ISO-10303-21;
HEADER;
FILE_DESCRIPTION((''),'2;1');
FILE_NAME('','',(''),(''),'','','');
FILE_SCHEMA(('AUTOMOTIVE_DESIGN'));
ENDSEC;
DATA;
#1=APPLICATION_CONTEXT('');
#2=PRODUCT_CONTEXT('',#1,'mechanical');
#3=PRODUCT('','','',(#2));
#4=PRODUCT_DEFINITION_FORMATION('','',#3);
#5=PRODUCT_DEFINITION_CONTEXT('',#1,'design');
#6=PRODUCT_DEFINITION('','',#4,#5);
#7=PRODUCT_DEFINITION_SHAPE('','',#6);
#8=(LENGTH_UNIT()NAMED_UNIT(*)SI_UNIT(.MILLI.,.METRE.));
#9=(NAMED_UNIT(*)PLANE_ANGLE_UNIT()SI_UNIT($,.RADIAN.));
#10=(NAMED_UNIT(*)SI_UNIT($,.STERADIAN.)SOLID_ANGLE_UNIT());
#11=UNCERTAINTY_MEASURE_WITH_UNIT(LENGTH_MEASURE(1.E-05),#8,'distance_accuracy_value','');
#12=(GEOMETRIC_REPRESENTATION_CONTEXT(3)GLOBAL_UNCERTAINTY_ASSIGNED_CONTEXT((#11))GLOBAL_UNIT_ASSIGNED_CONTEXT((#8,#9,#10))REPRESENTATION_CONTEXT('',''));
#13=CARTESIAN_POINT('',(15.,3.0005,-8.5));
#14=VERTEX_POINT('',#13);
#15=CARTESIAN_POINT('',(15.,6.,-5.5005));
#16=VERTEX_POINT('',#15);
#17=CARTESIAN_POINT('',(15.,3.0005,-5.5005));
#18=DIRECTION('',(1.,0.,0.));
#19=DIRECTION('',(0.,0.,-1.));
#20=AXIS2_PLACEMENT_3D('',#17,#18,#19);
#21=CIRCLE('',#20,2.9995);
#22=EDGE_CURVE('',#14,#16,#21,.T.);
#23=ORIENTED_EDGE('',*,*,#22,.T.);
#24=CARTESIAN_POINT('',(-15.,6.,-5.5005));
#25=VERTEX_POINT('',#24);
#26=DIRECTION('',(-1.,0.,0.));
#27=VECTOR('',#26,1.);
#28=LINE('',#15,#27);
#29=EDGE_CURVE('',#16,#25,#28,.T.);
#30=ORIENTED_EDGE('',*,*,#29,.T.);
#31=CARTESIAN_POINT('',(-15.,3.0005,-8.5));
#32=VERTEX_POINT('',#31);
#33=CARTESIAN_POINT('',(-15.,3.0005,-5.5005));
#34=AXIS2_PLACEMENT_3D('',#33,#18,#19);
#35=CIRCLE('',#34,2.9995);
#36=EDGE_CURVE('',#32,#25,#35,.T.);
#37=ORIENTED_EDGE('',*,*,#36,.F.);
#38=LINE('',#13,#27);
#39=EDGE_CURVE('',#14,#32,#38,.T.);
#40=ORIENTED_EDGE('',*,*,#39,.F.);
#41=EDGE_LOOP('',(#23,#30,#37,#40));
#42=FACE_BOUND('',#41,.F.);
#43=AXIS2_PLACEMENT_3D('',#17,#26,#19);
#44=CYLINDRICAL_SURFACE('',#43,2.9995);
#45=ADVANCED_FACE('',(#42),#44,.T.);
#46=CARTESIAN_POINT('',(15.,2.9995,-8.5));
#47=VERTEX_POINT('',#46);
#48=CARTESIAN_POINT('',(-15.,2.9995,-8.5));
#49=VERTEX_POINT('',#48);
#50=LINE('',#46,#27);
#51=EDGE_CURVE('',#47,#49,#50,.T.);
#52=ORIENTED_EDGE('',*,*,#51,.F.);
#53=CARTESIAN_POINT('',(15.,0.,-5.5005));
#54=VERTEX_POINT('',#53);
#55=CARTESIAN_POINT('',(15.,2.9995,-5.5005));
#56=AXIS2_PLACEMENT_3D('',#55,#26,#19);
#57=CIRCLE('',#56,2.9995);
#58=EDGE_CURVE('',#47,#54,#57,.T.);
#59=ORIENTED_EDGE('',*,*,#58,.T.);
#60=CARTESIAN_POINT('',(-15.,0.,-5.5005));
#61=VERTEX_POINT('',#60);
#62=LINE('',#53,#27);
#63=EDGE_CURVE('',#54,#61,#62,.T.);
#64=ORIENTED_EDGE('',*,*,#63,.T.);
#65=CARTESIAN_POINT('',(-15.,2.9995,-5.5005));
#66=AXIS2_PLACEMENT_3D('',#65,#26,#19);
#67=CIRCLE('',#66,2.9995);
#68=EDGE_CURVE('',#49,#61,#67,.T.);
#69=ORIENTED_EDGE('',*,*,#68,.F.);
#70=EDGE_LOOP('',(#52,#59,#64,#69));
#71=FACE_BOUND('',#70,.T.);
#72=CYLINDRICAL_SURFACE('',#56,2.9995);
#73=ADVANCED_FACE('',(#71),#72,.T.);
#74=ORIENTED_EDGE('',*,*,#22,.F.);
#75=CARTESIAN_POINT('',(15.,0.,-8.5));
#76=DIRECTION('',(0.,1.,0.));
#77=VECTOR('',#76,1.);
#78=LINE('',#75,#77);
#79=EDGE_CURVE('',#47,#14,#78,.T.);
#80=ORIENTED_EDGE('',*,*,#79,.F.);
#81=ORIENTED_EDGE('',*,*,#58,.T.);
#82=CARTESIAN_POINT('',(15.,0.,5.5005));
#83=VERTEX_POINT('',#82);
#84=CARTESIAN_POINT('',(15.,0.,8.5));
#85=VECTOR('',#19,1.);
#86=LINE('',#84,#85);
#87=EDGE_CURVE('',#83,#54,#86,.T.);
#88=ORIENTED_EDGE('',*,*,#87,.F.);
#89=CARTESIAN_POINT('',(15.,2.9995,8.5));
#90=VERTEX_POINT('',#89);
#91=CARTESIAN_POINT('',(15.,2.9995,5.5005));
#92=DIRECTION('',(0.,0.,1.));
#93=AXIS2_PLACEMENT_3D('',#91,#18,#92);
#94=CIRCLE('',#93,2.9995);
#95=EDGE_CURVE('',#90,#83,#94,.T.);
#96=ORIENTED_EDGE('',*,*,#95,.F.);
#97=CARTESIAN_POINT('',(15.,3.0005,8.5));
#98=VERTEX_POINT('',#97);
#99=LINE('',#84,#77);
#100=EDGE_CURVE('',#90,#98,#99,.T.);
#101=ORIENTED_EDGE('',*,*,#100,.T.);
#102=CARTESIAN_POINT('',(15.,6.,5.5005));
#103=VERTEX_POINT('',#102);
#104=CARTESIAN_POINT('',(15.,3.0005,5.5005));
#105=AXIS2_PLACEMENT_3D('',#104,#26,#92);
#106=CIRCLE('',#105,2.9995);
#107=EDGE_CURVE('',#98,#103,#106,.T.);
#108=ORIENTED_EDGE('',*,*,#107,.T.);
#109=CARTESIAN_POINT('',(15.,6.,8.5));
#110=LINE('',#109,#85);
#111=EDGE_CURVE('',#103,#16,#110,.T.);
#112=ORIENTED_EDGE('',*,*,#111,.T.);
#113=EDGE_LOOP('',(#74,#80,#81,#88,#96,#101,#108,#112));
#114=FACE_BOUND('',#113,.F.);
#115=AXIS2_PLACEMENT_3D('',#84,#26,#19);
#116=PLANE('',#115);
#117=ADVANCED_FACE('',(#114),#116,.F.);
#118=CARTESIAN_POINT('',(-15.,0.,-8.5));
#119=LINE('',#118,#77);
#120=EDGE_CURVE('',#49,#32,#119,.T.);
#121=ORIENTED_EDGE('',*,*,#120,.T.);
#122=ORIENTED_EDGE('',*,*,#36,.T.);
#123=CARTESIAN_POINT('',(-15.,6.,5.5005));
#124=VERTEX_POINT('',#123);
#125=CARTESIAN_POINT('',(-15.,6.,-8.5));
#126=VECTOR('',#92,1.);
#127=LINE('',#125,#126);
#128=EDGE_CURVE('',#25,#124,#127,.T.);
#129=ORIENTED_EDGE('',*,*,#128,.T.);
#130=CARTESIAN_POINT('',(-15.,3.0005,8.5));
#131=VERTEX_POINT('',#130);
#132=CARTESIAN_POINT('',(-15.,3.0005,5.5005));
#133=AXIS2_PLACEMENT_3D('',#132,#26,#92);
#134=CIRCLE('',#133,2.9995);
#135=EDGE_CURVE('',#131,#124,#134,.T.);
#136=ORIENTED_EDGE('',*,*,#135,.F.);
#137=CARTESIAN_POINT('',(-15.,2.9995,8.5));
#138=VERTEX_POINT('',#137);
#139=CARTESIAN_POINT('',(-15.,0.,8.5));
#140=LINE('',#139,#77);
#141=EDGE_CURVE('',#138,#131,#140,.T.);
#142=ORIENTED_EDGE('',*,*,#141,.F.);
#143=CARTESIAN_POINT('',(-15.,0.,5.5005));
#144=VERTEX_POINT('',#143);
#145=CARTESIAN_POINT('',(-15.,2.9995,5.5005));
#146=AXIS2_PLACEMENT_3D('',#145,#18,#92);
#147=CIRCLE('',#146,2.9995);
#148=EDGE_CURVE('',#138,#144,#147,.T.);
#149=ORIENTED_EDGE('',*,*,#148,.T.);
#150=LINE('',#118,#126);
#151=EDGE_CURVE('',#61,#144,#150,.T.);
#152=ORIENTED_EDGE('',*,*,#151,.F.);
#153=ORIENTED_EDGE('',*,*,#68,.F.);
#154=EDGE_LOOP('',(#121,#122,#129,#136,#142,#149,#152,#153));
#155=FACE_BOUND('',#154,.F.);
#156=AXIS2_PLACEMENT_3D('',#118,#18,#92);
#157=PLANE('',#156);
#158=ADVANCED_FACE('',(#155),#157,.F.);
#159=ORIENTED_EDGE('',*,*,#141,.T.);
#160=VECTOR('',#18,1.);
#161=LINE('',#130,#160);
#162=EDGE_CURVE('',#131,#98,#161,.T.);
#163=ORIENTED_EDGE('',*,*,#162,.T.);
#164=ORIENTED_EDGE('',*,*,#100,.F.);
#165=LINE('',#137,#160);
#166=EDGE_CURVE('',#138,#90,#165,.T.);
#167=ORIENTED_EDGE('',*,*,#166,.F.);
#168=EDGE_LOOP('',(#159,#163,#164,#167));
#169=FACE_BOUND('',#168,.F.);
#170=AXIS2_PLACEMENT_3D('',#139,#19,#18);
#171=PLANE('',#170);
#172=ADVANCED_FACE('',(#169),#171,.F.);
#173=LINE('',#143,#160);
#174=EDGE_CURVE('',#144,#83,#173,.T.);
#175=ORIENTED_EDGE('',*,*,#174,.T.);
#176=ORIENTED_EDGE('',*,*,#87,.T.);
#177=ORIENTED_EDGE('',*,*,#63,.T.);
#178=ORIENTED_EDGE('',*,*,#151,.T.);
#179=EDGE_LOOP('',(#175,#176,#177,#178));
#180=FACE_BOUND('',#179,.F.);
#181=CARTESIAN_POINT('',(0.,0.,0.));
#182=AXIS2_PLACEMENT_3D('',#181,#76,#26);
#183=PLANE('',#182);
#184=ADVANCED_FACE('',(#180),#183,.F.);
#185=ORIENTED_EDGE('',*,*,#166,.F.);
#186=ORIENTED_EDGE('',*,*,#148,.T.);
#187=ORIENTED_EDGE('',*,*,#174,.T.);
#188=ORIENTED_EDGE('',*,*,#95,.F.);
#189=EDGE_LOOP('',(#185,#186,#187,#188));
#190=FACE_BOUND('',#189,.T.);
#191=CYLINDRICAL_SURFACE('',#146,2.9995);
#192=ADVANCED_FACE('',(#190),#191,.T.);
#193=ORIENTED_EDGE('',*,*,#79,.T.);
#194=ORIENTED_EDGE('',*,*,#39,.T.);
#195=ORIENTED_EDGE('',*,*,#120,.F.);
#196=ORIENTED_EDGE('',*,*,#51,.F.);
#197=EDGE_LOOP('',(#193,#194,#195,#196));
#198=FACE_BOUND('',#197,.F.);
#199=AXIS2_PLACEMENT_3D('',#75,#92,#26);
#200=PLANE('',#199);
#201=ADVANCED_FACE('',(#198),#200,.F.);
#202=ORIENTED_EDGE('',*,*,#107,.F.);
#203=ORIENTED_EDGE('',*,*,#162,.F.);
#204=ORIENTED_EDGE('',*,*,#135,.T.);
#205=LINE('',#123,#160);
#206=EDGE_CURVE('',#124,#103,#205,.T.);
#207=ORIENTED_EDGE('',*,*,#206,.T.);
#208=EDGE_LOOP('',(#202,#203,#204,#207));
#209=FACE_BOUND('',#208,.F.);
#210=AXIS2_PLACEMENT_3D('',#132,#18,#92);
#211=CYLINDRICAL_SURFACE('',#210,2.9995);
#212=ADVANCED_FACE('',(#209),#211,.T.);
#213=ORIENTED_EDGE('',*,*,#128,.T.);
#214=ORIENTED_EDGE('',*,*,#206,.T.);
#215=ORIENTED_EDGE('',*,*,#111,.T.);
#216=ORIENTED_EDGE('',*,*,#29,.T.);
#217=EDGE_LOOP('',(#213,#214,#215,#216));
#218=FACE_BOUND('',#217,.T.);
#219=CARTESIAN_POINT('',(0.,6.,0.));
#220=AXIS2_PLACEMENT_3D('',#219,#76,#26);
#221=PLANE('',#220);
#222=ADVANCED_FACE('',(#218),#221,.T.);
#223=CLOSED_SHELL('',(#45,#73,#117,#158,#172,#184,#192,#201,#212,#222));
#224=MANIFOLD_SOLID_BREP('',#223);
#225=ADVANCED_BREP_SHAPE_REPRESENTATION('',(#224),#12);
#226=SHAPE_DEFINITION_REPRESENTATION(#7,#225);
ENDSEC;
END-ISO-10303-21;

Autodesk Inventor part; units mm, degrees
ref_plane "YZ Plane" through (0, 0, 0) normal (1, 0, 0) x (0, 1, 0)
ref_plane "XZ Plane" through (0, 0, 0) normal (0, 1, 0) x (-1, 0, 0)
ref_plane "XY Plane" through (0, 0, 0) normal (0, 0, 1) x (1, 0, 0)
sketch "Szkic1" plane through (0, 0, 0) normal (0, 1, 0) x (-1, 0, 0)
  line L0 (-15, -8.5) -> (15, -8.5)
  line L1 (15, -8.5) -> (15, 8.5)
  line L2 (15, 8.5) -> (-15, 8.5)
  line L3 (-15, 8.5) -> (-15, -8.5)
  line L4 (-15, -8.5) -> (15, 8.5) construction
  line L5 (15, -8.5) -> (-15, 8.5) construction
  point P0 (0, 0)
  dimension "d0" = 30
  dimension "d1" = 17
extrude "Wyciągnięcie proste1" add sketch "Szkic1" along normal blind 6
fillet "Zaokrąglenie1" radius 3 4 edges at (0, 6, 8.5) (0, 0, 8.5) (0, 6, -8.5) (0, 0, -8.5)
properties part number "Battery_prop"
